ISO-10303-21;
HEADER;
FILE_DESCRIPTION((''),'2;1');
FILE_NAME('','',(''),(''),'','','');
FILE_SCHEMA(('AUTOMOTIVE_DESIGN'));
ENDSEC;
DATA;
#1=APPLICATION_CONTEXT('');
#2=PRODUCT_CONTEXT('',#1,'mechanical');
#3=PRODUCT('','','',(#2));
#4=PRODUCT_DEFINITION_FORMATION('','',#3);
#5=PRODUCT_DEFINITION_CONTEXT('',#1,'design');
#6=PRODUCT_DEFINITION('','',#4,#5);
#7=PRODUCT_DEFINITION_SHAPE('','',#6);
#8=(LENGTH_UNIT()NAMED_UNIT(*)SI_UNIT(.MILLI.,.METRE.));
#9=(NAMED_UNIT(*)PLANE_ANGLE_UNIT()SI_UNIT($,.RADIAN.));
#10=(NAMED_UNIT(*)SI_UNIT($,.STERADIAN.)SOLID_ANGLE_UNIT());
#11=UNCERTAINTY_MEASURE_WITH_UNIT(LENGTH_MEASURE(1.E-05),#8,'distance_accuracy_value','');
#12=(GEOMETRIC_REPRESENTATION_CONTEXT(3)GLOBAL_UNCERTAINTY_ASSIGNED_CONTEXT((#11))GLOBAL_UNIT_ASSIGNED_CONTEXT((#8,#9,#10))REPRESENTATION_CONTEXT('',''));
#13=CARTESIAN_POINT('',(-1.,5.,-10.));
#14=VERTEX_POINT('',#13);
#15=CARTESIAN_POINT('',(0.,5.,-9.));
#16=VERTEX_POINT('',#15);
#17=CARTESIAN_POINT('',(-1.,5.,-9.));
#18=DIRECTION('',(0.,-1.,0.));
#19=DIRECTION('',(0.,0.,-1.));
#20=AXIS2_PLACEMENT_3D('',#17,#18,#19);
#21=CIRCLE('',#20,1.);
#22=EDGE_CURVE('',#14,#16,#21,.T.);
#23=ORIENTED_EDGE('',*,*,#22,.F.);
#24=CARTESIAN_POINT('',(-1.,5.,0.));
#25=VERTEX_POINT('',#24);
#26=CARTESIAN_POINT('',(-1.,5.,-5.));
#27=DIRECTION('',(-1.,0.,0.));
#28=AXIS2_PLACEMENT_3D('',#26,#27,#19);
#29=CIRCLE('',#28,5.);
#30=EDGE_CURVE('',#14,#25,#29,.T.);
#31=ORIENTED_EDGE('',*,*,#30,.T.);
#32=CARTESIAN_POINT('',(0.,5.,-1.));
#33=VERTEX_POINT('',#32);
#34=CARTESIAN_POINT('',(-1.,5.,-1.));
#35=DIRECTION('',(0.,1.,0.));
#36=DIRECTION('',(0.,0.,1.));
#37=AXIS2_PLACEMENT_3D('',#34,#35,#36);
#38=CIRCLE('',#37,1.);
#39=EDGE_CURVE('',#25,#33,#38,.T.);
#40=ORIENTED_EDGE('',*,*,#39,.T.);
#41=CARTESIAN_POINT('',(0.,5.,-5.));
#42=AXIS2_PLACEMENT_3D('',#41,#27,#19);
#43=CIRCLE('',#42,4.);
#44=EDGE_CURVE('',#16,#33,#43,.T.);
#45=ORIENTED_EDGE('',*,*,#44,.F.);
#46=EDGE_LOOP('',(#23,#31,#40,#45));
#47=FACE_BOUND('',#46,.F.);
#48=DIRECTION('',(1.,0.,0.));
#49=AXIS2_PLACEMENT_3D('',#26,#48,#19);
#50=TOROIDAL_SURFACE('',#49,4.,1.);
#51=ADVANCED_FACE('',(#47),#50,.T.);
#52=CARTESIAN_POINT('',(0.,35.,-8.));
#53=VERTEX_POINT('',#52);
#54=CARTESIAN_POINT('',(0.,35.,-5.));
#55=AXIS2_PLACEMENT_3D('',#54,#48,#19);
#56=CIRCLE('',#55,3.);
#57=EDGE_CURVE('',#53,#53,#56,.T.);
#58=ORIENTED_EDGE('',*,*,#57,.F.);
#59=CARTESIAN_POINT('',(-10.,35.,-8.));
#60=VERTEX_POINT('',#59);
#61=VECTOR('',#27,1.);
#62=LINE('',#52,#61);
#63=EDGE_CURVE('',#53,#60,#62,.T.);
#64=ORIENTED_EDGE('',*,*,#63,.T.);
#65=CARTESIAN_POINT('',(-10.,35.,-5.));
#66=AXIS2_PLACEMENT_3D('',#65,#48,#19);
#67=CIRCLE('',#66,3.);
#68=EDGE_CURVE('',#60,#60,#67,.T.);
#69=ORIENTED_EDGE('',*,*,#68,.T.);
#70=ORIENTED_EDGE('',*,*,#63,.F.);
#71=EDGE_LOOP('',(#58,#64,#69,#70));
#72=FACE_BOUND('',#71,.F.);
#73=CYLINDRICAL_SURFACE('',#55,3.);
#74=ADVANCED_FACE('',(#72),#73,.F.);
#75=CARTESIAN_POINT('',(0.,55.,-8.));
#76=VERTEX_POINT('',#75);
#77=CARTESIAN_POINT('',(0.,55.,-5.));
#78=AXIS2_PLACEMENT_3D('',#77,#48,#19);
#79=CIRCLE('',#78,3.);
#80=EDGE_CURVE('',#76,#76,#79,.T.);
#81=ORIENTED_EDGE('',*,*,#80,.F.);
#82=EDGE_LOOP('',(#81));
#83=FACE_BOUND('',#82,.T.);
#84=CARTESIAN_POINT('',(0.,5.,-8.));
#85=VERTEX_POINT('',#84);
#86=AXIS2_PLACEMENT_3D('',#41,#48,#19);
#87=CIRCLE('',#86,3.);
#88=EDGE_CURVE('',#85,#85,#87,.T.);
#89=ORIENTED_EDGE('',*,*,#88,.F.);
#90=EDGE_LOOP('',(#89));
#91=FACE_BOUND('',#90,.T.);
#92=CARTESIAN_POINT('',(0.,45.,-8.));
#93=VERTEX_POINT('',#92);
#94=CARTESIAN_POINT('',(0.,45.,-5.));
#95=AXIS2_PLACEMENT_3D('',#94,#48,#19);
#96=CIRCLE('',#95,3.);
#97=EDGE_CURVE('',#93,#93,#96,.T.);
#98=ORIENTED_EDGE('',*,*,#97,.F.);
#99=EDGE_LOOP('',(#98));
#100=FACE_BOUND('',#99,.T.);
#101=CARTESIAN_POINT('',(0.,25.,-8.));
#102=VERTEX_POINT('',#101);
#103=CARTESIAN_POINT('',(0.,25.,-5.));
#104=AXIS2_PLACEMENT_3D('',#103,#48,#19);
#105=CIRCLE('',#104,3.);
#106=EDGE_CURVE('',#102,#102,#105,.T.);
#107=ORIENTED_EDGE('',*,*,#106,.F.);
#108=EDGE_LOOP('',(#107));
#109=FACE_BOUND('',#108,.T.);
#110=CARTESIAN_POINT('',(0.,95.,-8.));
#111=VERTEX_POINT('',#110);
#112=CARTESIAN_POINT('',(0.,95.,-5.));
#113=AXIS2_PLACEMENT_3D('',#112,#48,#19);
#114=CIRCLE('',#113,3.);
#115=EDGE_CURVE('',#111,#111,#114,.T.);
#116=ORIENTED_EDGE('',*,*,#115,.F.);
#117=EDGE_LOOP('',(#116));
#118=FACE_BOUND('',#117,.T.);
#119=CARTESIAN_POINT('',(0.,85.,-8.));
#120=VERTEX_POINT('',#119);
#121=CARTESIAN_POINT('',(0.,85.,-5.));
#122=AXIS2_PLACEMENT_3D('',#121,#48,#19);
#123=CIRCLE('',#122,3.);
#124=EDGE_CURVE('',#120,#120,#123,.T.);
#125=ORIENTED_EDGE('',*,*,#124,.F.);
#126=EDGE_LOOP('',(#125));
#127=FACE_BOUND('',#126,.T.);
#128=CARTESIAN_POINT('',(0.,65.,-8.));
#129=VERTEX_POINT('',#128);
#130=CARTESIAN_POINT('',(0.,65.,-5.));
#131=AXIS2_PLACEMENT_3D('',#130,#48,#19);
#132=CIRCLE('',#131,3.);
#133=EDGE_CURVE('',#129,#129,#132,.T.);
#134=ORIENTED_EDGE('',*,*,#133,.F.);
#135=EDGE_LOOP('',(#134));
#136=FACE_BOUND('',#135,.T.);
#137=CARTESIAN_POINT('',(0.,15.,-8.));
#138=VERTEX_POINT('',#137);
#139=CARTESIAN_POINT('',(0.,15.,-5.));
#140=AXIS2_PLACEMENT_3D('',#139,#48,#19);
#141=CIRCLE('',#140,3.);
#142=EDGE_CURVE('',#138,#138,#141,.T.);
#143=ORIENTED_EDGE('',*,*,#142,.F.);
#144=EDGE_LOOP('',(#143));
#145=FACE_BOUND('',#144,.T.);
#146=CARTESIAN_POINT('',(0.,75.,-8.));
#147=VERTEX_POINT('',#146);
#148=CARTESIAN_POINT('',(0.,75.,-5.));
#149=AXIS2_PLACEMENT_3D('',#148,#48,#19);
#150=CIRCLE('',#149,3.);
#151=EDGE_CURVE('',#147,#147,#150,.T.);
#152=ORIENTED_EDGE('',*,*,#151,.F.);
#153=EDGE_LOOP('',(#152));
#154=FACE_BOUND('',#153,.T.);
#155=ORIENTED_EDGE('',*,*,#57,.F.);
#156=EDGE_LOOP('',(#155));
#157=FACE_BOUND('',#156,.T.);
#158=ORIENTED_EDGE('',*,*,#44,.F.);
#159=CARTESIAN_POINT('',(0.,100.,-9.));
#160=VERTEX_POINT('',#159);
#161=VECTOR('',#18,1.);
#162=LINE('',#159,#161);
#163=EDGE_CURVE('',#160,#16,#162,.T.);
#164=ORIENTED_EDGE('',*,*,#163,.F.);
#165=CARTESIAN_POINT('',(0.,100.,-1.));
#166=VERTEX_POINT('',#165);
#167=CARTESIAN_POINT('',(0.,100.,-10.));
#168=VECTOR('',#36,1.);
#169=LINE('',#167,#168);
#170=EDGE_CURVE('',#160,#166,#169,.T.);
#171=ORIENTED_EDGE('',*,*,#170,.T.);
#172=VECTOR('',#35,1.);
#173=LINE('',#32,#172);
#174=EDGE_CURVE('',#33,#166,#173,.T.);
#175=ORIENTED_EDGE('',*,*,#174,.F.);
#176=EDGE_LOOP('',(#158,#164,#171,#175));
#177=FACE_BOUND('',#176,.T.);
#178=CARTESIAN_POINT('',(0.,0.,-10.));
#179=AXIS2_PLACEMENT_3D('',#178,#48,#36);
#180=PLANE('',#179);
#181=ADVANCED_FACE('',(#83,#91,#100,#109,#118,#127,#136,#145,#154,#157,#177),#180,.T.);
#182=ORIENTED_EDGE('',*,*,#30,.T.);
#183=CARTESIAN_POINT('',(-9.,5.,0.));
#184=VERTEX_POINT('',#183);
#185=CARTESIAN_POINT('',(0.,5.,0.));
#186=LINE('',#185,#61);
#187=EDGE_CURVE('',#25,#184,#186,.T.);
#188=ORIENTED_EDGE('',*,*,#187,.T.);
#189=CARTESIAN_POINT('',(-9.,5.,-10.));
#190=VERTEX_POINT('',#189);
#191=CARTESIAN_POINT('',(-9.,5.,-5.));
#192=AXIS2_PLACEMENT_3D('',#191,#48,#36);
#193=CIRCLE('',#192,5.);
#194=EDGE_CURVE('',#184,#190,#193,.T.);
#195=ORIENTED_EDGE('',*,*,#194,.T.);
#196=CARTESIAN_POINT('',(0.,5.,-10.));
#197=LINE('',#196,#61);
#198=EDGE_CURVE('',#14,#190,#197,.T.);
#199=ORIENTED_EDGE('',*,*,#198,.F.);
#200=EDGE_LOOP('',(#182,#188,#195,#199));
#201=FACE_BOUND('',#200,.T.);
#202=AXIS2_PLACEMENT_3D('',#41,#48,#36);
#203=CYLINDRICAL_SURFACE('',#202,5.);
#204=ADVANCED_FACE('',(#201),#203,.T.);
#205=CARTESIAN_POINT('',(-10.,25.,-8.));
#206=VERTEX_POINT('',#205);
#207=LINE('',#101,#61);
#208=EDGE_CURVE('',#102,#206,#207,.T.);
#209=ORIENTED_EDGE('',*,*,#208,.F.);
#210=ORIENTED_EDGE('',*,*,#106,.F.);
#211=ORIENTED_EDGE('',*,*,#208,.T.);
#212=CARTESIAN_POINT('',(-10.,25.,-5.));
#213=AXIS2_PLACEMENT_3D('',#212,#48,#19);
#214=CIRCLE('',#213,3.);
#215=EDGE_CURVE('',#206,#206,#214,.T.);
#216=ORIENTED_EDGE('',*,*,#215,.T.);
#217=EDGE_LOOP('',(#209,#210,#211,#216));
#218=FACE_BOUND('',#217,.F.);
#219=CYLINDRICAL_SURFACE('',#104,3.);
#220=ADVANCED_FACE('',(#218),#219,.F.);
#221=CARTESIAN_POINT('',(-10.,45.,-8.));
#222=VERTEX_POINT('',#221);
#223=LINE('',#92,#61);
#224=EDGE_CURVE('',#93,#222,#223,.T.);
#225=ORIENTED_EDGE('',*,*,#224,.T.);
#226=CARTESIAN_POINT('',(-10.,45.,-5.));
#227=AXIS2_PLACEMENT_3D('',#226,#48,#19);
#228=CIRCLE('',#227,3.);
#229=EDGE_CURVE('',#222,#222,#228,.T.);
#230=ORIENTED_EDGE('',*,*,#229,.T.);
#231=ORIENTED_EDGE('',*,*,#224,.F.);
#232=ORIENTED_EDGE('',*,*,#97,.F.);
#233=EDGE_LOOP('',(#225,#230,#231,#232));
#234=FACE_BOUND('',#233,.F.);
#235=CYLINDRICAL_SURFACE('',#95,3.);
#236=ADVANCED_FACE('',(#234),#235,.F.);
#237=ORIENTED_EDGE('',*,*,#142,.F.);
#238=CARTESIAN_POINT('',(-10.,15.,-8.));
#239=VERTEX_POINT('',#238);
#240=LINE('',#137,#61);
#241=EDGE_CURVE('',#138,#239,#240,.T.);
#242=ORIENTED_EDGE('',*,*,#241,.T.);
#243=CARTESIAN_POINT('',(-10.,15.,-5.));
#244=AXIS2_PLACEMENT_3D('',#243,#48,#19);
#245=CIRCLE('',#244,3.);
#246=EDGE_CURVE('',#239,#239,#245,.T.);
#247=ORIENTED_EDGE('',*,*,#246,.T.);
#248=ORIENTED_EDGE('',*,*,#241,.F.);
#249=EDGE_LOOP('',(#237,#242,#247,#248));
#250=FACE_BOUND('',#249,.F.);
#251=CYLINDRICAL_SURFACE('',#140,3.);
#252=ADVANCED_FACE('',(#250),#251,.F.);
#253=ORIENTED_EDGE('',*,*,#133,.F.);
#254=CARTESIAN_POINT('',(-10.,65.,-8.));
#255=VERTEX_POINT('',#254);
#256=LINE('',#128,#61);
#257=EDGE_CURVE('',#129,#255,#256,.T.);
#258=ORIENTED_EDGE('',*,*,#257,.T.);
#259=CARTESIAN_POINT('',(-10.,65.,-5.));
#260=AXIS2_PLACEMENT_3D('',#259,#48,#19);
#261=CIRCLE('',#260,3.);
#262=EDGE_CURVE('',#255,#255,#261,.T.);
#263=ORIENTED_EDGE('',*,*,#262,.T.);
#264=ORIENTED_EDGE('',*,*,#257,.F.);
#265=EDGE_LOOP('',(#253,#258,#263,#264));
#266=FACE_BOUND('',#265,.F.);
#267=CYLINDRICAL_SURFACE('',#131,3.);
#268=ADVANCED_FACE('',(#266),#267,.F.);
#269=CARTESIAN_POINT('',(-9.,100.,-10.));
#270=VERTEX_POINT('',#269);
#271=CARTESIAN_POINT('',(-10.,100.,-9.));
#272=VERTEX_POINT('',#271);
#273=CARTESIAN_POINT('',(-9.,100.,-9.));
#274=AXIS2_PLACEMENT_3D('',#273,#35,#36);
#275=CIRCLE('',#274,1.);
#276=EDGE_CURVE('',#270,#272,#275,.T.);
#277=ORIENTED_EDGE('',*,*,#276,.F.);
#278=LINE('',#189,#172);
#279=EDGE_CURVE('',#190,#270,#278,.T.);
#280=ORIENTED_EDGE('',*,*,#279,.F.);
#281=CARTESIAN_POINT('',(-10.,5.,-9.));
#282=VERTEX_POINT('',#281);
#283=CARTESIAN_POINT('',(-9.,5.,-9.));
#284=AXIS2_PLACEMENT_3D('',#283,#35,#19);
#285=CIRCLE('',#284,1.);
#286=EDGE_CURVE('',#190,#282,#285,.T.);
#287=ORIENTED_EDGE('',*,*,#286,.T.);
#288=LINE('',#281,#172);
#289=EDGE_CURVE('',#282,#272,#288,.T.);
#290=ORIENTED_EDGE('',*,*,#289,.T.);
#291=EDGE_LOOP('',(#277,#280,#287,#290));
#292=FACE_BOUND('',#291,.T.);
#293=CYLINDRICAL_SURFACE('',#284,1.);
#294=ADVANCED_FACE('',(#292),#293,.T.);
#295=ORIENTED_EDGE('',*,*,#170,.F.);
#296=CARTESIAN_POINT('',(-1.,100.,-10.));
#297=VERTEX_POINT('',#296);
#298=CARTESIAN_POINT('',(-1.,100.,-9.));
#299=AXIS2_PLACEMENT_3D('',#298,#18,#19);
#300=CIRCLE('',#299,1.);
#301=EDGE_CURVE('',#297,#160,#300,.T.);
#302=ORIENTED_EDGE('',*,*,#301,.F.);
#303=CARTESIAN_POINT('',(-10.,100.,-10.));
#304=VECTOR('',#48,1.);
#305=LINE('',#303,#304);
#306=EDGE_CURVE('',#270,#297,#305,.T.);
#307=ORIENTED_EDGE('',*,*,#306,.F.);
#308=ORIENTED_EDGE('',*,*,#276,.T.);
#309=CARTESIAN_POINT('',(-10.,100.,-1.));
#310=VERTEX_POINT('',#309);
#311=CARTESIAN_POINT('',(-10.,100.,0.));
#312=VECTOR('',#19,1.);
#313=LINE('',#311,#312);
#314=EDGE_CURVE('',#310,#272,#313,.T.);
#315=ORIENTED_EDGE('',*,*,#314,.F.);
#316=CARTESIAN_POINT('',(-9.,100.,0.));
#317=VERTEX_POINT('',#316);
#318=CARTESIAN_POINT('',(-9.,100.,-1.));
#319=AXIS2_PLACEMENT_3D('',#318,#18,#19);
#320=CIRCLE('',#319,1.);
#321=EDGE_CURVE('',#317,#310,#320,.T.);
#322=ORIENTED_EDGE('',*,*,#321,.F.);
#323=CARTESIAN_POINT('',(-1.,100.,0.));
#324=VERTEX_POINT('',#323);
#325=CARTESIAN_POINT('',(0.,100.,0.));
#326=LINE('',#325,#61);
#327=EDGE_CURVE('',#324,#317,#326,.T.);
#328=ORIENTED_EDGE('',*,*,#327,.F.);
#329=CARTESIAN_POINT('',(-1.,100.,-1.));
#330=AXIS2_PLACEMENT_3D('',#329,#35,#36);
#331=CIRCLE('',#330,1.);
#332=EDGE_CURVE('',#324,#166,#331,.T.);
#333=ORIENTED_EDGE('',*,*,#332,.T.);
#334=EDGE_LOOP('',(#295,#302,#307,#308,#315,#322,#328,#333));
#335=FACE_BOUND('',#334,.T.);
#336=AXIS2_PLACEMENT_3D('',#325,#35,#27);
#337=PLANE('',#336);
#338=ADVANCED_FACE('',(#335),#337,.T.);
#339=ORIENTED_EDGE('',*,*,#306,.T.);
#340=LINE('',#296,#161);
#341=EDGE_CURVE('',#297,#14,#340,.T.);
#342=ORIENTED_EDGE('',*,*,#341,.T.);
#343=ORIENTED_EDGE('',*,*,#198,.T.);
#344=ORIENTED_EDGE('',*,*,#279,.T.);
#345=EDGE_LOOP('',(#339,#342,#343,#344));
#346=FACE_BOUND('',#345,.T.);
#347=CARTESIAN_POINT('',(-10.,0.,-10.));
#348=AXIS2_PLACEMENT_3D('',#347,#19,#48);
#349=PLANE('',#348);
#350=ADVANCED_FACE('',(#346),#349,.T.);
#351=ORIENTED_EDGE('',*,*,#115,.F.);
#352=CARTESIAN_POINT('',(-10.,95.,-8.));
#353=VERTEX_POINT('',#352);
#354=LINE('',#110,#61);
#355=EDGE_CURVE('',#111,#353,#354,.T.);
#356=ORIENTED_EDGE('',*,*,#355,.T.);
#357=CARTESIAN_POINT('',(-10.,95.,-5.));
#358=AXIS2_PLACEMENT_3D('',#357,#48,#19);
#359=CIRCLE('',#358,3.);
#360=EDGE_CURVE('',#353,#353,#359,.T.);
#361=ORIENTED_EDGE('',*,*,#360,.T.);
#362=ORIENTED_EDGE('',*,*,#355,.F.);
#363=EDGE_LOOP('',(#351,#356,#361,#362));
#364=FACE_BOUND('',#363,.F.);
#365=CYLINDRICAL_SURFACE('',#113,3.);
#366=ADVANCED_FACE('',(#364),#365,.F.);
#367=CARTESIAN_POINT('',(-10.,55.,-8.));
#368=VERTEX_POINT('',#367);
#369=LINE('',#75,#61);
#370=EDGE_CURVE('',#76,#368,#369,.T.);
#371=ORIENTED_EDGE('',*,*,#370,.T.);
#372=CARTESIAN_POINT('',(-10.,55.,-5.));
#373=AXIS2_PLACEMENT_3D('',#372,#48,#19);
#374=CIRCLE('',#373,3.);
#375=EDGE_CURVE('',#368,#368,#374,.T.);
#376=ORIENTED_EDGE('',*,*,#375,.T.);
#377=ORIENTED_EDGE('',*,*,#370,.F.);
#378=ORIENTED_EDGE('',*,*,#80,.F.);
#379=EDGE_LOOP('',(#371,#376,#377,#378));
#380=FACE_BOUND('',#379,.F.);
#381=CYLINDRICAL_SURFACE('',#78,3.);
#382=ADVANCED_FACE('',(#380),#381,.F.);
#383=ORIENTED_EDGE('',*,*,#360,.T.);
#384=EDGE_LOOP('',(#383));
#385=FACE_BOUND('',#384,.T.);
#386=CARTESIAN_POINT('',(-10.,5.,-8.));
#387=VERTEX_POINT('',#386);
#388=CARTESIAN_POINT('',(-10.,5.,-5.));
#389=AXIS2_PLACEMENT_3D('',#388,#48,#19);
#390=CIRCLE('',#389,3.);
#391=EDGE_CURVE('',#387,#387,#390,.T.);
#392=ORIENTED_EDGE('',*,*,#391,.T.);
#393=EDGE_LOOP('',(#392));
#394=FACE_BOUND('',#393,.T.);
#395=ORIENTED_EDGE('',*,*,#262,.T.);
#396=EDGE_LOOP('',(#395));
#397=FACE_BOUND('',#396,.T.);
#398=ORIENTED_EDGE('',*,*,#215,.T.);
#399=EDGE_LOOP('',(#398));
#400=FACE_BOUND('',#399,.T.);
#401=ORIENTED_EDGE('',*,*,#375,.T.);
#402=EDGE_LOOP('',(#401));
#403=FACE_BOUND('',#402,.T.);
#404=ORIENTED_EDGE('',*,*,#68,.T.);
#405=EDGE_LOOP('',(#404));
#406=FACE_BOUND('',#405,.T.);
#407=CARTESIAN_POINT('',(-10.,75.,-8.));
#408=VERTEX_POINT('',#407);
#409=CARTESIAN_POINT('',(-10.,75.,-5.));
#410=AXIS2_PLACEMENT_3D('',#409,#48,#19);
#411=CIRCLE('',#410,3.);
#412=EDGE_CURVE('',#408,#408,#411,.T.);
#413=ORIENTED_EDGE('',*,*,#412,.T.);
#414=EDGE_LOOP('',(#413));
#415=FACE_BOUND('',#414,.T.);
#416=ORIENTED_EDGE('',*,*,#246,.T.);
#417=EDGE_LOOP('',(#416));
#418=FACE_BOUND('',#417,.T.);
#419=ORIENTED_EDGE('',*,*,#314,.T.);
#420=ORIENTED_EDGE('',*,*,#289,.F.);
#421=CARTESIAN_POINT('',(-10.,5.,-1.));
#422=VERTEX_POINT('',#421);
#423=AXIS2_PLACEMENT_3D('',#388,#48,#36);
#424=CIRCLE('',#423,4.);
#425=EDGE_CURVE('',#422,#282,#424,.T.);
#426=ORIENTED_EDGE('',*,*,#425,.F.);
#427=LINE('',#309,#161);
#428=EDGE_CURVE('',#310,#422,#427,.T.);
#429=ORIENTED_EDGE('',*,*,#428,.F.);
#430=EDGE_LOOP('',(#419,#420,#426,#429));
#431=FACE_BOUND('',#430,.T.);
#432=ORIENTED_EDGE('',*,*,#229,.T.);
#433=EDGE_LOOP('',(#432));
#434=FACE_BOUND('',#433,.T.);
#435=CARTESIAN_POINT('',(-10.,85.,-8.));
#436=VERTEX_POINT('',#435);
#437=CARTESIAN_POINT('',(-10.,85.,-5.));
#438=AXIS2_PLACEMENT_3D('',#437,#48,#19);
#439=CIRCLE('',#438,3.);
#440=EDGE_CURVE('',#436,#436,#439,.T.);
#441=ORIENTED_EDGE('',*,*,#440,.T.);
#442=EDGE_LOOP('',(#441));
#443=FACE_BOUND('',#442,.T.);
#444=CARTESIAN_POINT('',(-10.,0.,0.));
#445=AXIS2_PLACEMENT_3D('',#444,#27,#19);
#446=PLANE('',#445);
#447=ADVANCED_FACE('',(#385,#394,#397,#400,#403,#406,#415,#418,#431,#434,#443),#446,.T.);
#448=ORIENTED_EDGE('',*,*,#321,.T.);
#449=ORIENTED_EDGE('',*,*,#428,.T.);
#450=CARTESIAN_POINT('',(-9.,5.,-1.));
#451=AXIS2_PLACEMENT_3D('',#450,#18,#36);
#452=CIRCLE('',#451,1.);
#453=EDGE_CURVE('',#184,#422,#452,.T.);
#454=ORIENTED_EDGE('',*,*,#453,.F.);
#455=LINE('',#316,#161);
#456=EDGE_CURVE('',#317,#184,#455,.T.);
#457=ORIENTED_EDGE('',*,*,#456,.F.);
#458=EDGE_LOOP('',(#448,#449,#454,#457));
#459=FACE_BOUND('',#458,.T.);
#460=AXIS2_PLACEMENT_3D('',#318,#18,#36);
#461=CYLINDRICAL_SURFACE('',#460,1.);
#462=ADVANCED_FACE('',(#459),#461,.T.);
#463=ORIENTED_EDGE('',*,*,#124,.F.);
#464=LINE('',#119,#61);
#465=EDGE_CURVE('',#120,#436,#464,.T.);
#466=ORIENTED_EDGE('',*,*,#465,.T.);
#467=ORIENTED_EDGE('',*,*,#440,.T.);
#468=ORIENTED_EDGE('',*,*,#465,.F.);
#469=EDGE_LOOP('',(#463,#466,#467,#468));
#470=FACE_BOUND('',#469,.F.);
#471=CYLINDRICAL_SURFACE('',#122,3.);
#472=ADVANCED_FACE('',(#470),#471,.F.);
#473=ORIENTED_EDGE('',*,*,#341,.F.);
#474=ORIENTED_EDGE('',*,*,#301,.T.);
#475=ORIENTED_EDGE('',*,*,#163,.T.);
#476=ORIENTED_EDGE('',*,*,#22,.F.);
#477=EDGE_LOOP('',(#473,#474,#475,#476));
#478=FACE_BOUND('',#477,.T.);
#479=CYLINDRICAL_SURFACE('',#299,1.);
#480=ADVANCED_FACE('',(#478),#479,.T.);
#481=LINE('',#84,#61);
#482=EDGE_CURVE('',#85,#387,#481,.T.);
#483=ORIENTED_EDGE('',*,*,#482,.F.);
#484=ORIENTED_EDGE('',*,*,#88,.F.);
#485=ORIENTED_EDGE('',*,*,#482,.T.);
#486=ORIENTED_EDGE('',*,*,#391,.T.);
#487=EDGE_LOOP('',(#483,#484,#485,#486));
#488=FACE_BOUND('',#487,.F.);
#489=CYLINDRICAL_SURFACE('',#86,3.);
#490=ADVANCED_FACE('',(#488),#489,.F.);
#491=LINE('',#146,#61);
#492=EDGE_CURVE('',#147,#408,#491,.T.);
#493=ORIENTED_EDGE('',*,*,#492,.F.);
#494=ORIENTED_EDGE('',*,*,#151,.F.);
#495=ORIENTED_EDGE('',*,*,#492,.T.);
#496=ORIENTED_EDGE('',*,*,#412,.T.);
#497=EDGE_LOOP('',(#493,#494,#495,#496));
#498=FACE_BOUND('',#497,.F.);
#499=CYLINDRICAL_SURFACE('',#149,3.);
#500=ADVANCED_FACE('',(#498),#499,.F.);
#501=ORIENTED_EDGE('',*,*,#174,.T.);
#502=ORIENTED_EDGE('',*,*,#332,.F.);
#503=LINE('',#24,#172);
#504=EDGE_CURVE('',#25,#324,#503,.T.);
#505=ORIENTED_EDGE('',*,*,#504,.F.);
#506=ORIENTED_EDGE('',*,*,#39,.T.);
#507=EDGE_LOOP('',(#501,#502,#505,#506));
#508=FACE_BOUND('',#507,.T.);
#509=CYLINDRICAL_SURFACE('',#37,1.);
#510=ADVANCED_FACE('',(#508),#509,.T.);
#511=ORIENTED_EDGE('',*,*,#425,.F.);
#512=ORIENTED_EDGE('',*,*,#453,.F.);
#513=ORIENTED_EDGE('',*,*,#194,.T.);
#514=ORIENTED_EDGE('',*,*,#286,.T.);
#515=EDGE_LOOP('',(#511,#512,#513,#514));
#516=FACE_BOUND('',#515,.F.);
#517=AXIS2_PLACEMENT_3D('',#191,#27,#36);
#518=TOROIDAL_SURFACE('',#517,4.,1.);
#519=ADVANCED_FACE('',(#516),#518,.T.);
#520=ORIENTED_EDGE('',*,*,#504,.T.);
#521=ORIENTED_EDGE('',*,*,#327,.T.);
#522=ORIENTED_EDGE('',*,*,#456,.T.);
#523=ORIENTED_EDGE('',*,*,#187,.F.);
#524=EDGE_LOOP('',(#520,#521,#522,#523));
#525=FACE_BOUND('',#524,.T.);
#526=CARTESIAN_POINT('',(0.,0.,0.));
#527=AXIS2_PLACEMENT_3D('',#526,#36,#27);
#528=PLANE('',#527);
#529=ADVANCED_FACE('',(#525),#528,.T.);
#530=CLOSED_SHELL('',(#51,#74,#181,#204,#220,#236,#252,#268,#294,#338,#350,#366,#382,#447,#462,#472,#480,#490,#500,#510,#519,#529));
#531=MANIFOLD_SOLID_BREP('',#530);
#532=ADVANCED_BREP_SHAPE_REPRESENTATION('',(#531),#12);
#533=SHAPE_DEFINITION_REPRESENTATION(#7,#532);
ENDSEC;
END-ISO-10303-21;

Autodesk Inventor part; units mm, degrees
ref_plane "YZ Plane" through (0, 0, 0) normal (1, 0, 0) x (0, 1, 0)
ref_plane "XZ Plane" through (0, 0, 0) normal (0, 1, 0) x (-1, 0, 0)
ref_plane "XY Plane" through (0, 0, 0) normal (0, 0, 1) x (1, 0, 0)
sketch "Sketch1" plane through (0, 0, 0) normal (0, 1, 0) x (-1, 0, 0)
  line L0 (0, 0) -> (10, 0)
  line L1 (10, 0) -> (10, -10)
  line L2 (10, -10) -> (0, -10)
  line L3 (0, -10) -> (0, 0)
  dimension "d0" = 10
  dimension "d1" = 10
extrude "Extrusion1" add sketch "Sketch1" along normal blind 100
sketch "Sketch2" plane through (0, 0, 0) normal (1, 0, 0) x (0, 0, -1)
  circle A0 centre (5, 95) radius 3
  line L0 (10, 0) -> (10, 100) projected
  line L1 (0, 100) -> (10, 100) projected
  line L2 (0, 0) -> (10, 0) projected
  line L3 (10, 0) -> (10, 100) projected
  line L4 (0, 100) -> (10, 100) projected
  line L5 (0, 0) -> (0, 100) projected
  circle A1 centre (5, 85) radius 3
  circle A2 centre (5, 75) radius 3
  circle A3 centre (5, 65) radius 3
  circle A4 centre (5, 55) radius 3
  circle A5 centre (5, 45) radius 3
  circle A6 centre (5, 35) radius 3
  circle A7 centre (5, 25) radius 3
  circle A8 centre (5, 15) radius 3
  circle A9 centre (5, 5) radius 3
  line L6 (0, 0) -> (0, 100) projected
  line L7 (10, 0) -> (10, 100) projected
  arc A10 (0, 5) -> (10, 5) centre (5, 5) ccw
  line L8 (10, 0) -> (0, 0) projected
  point P0 (5, 0)
  point P1 (0, 5)
  point P2 (10, 5)
  dimension "d4" = 6
  dimension "d5" = 5
  dimension "d6" = 5
  dimension "d9" = 10
extrude "Extrusion2" cut sketch "Sketch2" against normal through all contours A0 | L2 A10 L0 | L2 L5 A10 | A1 | A2 | A3 | A4 | A5 | A6 | A7 | A8 | A9
fillet "Fillet1" radius 1 6 edges at (0, 0, -5) (0, 52.5, -10) (0, 52.5, 0) (-10, 0, -5) (-10, 52.5, -10) (-10, 52.5, 0)
properties part number "Stang3D"
